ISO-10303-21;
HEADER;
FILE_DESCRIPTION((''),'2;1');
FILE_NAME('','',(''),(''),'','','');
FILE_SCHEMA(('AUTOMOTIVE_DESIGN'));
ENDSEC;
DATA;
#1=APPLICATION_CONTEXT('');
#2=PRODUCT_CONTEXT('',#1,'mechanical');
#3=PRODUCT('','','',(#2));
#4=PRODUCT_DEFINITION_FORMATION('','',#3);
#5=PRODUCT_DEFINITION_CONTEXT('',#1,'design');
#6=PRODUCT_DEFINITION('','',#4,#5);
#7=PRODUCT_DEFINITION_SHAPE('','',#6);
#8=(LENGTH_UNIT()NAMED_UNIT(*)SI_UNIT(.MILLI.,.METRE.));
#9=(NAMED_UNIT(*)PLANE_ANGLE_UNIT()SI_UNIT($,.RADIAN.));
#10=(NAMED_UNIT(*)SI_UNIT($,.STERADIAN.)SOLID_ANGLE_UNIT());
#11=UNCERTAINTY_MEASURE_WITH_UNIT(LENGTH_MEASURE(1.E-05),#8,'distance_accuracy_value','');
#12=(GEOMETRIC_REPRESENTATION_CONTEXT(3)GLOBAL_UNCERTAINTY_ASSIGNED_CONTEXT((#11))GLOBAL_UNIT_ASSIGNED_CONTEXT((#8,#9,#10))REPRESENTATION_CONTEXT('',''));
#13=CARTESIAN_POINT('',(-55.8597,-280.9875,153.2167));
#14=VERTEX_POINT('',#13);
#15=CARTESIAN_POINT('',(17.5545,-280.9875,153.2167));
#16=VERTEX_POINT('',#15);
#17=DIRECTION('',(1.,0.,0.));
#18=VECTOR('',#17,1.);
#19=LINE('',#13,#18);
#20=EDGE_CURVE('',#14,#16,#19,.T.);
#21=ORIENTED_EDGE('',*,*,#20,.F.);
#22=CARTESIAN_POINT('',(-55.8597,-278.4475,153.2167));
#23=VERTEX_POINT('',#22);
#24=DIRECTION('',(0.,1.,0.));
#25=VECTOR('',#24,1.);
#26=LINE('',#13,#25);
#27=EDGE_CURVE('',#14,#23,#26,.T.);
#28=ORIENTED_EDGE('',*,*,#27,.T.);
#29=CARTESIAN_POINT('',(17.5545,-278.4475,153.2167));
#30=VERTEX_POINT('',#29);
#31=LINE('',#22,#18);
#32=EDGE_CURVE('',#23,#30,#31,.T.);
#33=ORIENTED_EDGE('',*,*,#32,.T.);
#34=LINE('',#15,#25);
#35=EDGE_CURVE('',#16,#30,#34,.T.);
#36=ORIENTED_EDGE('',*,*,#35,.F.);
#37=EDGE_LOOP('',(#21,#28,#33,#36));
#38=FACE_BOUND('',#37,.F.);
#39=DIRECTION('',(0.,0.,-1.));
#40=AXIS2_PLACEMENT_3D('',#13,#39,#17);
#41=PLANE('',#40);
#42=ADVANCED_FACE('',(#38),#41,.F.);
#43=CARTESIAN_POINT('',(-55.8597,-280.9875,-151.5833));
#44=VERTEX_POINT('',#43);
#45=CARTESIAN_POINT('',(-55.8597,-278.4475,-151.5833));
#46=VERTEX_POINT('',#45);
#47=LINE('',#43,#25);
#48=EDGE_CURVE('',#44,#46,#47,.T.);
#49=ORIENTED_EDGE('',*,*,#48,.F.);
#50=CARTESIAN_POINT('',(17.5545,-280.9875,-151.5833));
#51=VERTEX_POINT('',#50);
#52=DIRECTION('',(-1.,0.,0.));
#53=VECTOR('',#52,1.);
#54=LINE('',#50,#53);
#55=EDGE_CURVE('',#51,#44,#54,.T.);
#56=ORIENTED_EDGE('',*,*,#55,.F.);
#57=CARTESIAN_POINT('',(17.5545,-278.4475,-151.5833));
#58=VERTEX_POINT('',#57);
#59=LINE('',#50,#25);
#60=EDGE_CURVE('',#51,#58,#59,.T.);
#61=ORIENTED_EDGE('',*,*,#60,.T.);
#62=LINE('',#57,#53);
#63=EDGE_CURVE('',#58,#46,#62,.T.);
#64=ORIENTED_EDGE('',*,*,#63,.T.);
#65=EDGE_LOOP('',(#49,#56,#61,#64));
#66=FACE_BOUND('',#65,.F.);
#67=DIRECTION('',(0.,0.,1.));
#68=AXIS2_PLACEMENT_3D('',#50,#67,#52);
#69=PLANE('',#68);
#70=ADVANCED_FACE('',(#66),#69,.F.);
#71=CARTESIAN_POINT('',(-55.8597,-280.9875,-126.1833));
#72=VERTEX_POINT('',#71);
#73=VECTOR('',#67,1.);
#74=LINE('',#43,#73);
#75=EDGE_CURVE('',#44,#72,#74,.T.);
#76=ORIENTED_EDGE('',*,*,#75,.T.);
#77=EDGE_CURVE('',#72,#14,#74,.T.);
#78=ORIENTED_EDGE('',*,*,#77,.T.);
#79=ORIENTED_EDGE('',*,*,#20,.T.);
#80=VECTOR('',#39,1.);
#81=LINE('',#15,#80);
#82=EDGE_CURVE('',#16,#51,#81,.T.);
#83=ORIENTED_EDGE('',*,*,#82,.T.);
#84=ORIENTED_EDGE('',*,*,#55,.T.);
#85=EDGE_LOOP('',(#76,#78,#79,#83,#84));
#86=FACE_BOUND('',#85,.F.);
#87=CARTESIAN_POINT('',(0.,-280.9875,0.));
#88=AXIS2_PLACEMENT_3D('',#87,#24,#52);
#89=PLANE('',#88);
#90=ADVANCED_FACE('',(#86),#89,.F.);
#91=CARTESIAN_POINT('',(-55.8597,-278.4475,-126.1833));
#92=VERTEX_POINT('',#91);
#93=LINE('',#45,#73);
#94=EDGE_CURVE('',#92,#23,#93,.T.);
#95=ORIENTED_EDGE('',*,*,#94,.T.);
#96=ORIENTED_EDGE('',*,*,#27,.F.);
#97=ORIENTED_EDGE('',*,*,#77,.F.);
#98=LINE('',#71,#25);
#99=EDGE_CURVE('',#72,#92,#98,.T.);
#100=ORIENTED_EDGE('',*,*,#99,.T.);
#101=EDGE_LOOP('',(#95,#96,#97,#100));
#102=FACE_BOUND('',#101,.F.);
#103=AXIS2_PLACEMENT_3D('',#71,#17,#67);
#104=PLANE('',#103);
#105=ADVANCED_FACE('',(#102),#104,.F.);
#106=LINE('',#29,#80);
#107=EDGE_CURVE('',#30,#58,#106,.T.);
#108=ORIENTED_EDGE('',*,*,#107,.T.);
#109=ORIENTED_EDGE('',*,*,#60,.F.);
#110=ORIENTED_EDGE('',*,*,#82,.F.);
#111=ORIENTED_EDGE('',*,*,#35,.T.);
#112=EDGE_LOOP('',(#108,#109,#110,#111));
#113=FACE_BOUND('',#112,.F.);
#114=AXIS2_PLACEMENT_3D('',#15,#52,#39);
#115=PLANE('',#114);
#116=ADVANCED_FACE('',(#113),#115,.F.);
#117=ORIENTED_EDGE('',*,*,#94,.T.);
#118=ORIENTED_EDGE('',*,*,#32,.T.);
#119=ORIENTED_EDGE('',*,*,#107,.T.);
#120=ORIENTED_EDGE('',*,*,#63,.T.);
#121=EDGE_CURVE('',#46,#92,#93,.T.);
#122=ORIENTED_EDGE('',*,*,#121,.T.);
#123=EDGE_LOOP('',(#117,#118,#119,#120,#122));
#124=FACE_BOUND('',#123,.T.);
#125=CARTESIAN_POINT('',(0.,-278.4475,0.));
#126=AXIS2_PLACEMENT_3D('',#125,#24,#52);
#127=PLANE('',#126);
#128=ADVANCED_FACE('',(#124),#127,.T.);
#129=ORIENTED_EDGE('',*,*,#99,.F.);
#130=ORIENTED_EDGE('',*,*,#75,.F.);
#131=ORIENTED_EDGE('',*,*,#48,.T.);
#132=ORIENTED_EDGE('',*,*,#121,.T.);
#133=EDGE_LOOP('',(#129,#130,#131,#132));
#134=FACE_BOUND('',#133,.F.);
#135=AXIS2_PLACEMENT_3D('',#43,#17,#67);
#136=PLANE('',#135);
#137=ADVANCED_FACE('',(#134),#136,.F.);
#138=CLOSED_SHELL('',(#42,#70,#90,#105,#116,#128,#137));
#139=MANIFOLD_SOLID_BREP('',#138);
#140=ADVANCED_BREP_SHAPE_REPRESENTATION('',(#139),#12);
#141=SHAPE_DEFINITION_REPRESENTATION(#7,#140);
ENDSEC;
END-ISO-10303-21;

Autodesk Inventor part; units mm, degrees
ref_plane "YZ Plane" through (0, 0, 0) normal (1, 0, 0) x (0, 1, 0)
ref_plane "XY Plane" through (0, 0, 0) normal (0, 0, 1) x (1, 0, 0)
ref_plane "Work Plane1" through (0, -280.9875, 0) normal (0, 1, 0) x (-1, 0, 0)
sketch "Sketch1" plane through (0, -280.9875, 0) normal (0, 1, 0) x (-1, 0, 0)
  line L0 (-17.5545, -151.5833) -> (55.8597, -151.5833)
  line L1 (55.8597, -151.5833) -> (55.8597, 153.2167)
  line L2 (55.8597, 153.2167) -> (-17.5545, 153.2167)
  line L3 (-17.5545, 153.2167) -> (-17.5545, -151.5833)
  line L4 (-17.5545, 261.1667) -> (-17.5545, -259.5333)
  line L5 (55.8597, -126.1833) -> (55.8597, -151.5833)
  point P0 (0, 0)
  point P1 (-17.5545, -126.1833)
  point P2 (-17.5545, 127.8167)
extrude "Extrusion1" add sketch "Sketch1" along normal blind 2.54
properties part number "plexiglass1"
